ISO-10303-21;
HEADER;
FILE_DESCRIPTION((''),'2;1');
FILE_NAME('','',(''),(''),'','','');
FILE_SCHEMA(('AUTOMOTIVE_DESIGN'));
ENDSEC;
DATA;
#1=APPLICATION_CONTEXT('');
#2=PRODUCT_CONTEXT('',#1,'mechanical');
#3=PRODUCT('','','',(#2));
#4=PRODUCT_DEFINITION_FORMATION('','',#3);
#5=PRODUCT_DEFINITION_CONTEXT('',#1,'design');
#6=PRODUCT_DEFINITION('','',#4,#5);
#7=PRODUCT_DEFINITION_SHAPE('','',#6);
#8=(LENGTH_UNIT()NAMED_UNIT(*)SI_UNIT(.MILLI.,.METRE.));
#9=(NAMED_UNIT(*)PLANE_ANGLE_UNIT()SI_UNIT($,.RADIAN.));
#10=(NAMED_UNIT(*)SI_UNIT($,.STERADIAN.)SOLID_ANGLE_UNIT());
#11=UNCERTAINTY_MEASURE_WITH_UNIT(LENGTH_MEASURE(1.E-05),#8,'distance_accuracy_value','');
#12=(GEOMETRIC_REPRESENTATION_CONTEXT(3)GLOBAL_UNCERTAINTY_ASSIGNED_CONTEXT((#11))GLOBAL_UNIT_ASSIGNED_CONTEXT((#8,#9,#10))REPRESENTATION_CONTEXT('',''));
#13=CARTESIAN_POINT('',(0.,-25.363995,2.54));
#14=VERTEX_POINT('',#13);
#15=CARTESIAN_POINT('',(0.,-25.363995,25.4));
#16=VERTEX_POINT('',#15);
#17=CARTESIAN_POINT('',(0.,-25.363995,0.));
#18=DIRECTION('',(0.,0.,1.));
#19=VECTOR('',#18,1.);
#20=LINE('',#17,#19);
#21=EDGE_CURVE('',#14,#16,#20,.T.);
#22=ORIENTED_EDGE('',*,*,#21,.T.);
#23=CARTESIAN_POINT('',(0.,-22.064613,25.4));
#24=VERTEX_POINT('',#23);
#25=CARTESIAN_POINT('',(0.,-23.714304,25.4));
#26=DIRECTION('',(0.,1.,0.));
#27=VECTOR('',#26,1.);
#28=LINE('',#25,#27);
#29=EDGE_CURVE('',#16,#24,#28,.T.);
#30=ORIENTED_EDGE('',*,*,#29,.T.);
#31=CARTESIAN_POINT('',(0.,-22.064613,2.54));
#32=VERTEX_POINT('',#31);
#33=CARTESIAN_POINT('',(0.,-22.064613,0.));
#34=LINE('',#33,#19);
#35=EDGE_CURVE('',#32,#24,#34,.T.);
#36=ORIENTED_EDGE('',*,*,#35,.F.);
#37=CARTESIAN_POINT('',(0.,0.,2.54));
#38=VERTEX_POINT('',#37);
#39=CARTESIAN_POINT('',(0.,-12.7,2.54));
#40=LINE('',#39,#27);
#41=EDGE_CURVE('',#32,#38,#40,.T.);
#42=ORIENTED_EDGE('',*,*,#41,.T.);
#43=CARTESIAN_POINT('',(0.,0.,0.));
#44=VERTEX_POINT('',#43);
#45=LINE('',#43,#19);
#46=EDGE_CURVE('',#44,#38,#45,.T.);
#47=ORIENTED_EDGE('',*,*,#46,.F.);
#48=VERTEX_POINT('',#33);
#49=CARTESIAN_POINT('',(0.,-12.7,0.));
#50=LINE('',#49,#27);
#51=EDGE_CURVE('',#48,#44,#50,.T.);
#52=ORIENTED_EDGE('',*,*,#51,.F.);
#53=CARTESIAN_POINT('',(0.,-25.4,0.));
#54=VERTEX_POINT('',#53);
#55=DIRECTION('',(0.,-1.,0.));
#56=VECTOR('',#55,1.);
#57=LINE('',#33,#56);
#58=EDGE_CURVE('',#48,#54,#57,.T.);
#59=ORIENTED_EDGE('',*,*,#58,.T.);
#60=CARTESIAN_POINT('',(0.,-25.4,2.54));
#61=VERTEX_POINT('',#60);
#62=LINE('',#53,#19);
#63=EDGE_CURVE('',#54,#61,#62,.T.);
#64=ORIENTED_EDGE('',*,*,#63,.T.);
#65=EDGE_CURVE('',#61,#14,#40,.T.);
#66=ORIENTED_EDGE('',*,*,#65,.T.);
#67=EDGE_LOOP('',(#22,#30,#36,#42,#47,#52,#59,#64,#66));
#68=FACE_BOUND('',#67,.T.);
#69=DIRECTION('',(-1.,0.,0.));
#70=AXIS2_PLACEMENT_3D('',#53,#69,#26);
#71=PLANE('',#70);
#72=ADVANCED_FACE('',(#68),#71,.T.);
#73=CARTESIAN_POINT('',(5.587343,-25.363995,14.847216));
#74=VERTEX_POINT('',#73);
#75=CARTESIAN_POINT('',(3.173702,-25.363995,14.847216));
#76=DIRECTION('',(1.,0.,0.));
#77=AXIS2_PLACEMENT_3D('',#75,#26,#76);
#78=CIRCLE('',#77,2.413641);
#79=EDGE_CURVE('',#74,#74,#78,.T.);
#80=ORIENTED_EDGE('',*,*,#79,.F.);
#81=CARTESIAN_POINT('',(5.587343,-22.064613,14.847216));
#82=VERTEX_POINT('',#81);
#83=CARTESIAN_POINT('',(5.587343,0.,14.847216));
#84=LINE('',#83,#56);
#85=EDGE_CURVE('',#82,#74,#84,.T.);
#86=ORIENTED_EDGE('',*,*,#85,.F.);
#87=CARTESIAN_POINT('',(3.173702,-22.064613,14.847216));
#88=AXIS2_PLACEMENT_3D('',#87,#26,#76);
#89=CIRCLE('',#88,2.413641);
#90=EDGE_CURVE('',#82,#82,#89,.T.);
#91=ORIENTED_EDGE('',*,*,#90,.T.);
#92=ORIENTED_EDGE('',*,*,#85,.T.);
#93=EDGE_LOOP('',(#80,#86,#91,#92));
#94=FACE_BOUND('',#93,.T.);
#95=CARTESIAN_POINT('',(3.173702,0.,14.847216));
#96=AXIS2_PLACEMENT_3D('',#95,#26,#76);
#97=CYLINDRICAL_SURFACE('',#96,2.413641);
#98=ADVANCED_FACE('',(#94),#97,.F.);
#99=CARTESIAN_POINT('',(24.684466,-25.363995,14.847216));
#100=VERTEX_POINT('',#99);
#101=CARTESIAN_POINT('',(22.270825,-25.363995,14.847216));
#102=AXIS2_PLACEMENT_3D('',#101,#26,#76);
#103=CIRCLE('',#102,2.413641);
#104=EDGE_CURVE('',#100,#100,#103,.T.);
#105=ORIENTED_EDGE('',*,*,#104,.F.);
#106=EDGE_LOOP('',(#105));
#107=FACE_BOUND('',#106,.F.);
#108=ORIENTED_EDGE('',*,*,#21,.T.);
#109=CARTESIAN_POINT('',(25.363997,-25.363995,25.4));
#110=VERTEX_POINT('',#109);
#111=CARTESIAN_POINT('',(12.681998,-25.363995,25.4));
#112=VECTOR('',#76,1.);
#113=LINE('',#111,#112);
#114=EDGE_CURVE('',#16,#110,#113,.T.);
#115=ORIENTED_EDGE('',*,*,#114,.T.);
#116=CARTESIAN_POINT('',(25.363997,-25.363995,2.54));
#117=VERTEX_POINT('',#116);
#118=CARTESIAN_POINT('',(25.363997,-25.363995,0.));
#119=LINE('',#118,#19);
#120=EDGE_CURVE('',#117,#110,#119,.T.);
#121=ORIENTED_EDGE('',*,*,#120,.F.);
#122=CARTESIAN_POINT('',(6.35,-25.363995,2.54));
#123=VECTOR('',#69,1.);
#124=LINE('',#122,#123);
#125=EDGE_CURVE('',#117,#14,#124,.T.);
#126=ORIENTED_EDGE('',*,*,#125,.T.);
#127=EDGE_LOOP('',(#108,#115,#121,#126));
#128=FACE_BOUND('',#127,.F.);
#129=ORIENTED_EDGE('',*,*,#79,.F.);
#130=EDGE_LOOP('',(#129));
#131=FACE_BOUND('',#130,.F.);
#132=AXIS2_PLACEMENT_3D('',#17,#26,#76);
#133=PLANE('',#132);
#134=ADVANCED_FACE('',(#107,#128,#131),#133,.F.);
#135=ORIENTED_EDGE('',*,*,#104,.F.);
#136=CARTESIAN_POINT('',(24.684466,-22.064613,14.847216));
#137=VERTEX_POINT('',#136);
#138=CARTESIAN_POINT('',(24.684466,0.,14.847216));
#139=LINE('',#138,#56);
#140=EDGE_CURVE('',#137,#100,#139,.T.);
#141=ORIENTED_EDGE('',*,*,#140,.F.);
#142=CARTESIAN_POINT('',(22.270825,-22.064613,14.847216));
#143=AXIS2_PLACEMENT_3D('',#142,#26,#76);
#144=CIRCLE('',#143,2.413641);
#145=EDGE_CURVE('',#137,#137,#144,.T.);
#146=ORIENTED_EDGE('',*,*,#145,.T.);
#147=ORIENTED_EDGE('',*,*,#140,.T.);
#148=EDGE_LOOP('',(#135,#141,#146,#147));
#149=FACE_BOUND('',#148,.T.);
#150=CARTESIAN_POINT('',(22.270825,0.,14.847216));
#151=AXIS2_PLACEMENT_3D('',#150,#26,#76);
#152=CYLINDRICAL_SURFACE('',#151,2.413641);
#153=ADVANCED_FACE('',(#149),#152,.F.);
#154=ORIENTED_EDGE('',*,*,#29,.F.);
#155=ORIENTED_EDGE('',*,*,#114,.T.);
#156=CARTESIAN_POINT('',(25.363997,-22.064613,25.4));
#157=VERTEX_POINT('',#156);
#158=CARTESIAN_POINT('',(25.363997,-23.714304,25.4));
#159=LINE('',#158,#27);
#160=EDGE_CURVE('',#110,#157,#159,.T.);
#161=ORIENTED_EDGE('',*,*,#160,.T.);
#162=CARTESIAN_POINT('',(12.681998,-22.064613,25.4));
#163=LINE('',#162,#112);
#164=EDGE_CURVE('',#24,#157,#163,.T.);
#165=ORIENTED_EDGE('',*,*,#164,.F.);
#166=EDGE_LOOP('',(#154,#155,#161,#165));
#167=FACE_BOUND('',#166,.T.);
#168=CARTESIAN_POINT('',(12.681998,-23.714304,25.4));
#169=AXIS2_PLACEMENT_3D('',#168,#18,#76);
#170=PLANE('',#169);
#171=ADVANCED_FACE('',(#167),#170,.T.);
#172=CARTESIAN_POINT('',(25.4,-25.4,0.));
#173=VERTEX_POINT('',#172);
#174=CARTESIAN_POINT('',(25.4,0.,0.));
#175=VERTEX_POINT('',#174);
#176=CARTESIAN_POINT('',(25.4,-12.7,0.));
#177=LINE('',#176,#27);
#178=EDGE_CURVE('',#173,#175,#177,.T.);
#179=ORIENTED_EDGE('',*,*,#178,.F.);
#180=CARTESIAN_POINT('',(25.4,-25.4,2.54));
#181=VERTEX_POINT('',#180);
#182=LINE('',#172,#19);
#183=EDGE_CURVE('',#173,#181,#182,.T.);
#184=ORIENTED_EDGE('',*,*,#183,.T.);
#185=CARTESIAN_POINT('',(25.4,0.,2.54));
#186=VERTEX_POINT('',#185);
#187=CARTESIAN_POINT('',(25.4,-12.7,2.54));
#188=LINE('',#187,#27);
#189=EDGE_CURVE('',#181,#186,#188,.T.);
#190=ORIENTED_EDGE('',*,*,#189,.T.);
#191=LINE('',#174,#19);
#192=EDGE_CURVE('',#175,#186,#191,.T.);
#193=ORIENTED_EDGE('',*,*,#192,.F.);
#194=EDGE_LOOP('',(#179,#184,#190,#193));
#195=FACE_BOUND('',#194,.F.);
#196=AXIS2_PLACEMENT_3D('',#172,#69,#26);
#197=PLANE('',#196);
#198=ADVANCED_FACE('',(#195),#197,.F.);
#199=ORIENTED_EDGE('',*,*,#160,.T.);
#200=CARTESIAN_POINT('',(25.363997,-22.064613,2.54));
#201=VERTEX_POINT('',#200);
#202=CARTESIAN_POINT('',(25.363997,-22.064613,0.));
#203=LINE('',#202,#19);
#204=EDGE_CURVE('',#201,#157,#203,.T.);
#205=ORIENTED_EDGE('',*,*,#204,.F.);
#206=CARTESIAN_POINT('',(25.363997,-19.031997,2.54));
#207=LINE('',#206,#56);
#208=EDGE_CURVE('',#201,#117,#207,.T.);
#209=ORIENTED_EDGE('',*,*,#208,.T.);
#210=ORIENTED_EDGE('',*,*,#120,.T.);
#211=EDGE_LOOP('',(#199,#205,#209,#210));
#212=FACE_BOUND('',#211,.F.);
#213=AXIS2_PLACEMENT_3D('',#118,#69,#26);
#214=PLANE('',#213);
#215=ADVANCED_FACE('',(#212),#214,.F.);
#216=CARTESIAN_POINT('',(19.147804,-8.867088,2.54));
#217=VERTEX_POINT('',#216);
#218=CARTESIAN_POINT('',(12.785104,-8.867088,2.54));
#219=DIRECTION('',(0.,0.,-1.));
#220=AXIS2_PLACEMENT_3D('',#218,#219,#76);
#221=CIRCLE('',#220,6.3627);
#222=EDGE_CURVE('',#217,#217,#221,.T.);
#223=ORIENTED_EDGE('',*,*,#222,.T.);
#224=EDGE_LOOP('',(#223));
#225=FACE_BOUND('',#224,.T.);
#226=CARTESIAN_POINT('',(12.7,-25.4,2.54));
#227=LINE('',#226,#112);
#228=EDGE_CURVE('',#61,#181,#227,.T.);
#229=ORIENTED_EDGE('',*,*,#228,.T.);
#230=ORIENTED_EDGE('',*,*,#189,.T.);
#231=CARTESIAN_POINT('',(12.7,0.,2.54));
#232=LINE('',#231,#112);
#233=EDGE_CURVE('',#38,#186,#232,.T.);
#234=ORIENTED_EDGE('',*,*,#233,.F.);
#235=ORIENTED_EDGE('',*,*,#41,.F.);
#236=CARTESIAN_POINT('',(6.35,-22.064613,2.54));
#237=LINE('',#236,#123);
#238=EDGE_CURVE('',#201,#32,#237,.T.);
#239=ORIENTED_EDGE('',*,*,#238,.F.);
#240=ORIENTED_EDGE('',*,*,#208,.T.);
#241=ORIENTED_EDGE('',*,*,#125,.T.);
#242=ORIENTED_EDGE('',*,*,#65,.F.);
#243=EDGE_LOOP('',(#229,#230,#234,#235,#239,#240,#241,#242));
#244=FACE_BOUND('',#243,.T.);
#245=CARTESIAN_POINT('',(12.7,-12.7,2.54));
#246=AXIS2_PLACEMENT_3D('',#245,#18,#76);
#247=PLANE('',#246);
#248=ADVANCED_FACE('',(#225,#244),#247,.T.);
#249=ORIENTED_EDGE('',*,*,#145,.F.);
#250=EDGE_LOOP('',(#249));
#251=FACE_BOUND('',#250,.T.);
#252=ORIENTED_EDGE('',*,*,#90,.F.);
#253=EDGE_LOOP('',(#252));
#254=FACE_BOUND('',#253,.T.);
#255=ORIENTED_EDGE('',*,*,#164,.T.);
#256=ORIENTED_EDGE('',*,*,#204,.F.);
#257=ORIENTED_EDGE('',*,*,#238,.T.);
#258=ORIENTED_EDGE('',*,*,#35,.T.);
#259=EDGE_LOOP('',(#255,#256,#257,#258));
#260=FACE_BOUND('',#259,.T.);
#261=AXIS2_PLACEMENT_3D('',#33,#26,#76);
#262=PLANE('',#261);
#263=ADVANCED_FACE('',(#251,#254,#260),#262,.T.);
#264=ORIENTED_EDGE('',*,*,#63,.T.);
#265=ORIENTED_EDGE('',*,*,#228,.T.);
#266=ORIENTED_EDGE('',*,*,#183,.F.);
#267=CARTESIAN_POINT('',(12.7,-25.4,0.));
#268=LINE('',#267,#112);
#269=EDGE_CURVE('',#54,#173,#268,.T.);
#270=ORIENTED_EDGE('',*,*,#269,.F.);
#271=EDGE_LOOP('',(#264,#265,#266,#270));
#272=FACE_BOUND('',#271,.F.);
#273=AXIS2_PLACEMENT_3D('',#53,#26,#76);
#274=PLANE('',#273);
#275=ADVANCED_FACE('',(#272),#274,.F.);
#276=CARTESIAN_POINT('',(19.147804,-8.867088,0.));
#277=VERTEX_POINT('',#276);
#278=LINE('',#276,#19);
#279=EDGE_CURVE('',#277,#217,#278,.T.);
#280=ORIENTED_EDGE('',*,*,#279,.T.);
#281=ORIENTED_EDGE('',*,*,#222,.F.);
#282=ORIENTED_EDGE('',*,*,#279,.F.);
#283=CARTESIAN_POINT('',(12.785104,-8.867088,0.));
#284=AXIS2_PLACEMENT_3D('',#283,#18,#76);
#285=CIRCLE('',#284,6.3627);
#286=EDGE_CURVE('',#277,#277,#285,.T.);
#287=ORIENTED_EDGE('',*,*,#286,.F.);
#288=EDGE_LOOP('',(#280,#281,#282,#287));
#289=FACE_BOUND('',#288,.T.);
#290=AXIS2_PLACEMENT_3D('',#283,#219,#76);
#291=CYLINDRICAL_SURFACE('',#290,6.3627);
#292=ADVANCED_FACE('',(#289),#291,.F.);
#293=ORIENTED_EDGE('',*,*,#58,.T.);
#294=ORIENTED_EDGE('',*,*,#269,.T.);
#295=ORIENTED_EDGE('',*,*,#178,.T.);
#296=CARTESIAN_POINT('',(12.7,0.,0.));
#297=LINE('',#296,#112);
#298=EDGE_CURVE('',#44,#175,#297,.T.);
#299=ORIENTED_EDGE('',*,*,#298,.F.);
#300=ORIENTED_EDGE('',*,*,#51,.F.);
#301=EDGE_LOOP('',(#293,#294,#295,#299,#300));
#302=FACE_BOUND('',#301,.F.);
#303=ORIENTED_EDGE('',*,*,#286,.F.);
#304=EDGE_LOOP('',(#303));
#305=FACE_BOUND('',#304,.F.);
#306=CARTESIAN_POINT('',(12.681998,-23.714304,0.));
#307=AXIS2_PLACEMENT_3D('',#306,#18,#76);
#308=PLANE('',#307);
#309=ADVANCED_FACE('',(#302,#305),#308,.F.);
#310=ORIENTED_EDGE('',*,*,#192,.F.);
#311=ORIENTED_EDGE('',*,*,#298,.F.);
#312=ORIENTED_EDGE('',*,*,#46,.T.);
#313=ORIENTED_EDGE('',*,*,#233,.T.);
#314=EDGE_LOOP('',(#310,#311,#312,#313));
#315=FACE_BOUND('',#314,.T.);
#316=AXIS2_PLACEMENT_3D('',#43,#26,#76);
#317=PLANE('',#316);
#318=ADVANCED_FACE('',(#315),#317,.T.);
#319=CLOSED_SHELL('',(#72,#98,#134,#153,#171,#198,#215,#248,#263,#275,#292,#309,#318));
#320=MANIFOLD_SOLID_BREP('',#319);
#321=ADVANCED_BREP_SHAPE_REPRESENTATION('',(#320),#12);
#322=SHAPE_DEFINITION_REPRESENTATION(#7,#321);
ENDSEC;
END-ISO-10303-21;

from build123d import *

# Parameters (mm, degrees)
F0_W          = 25.4
F0_H          = 25.4
F1_DEPTH      = 2.54
F2_R          = 6.3627
F3_DEPTH      = 25.4
F3_DEPTH_BACK = 25.4
F4_W          = 25.3639966249
F4_H          = 3.2993815839
F5_DEPTH      = 25.4
F6_R          = 2.4136408641
F7_DEPTH      = 52.07


with BuildPart() as f1:
    # F0 (on Top) → F1 (new body)
    with BuildSketch(Plane.XY):
        with Locations((12.7, -12.7)):
            Rectangle(F0_W, F0_H)
    extrude(amount=F1_DEPTH)

    # F2 (on Top) → F3 (cut, two sides)
    with BuildSketch(Plane.XY) as f3_sk:
        with Locations((12.7851041034, -8.867087774)):
            Circle(F2_R)
    extrude(amount=-F3_DEPTH, mode=Mode.SUBTRACT)
    extrude(f3_sk.sketch, amount=F3_DEPTH_BACK, mode=Mode.SUBTRACT)

    # F4 (on Top) → F5 (join)
    with BuildSketch(Plane.XY):
        with Locations((12.6819983125, -23.7143039703)):
            Rectangle(F4_W, F4_H)
    extrude(amount=F5_DEPTH)

    # F6 (on Front) → F7 (cut)
    with BuildSketch(Plane.XZ):
        with Locations((22.2708247602, 14.8472161964)):
            Circle(F6_R)
        with Locations((3.1737023965, 14.8472161964)):
            Circle(F6_R)
    extrude(amount=F7_DEPTH, mode=Mode.SUBTRACT)


solid = f1.part
